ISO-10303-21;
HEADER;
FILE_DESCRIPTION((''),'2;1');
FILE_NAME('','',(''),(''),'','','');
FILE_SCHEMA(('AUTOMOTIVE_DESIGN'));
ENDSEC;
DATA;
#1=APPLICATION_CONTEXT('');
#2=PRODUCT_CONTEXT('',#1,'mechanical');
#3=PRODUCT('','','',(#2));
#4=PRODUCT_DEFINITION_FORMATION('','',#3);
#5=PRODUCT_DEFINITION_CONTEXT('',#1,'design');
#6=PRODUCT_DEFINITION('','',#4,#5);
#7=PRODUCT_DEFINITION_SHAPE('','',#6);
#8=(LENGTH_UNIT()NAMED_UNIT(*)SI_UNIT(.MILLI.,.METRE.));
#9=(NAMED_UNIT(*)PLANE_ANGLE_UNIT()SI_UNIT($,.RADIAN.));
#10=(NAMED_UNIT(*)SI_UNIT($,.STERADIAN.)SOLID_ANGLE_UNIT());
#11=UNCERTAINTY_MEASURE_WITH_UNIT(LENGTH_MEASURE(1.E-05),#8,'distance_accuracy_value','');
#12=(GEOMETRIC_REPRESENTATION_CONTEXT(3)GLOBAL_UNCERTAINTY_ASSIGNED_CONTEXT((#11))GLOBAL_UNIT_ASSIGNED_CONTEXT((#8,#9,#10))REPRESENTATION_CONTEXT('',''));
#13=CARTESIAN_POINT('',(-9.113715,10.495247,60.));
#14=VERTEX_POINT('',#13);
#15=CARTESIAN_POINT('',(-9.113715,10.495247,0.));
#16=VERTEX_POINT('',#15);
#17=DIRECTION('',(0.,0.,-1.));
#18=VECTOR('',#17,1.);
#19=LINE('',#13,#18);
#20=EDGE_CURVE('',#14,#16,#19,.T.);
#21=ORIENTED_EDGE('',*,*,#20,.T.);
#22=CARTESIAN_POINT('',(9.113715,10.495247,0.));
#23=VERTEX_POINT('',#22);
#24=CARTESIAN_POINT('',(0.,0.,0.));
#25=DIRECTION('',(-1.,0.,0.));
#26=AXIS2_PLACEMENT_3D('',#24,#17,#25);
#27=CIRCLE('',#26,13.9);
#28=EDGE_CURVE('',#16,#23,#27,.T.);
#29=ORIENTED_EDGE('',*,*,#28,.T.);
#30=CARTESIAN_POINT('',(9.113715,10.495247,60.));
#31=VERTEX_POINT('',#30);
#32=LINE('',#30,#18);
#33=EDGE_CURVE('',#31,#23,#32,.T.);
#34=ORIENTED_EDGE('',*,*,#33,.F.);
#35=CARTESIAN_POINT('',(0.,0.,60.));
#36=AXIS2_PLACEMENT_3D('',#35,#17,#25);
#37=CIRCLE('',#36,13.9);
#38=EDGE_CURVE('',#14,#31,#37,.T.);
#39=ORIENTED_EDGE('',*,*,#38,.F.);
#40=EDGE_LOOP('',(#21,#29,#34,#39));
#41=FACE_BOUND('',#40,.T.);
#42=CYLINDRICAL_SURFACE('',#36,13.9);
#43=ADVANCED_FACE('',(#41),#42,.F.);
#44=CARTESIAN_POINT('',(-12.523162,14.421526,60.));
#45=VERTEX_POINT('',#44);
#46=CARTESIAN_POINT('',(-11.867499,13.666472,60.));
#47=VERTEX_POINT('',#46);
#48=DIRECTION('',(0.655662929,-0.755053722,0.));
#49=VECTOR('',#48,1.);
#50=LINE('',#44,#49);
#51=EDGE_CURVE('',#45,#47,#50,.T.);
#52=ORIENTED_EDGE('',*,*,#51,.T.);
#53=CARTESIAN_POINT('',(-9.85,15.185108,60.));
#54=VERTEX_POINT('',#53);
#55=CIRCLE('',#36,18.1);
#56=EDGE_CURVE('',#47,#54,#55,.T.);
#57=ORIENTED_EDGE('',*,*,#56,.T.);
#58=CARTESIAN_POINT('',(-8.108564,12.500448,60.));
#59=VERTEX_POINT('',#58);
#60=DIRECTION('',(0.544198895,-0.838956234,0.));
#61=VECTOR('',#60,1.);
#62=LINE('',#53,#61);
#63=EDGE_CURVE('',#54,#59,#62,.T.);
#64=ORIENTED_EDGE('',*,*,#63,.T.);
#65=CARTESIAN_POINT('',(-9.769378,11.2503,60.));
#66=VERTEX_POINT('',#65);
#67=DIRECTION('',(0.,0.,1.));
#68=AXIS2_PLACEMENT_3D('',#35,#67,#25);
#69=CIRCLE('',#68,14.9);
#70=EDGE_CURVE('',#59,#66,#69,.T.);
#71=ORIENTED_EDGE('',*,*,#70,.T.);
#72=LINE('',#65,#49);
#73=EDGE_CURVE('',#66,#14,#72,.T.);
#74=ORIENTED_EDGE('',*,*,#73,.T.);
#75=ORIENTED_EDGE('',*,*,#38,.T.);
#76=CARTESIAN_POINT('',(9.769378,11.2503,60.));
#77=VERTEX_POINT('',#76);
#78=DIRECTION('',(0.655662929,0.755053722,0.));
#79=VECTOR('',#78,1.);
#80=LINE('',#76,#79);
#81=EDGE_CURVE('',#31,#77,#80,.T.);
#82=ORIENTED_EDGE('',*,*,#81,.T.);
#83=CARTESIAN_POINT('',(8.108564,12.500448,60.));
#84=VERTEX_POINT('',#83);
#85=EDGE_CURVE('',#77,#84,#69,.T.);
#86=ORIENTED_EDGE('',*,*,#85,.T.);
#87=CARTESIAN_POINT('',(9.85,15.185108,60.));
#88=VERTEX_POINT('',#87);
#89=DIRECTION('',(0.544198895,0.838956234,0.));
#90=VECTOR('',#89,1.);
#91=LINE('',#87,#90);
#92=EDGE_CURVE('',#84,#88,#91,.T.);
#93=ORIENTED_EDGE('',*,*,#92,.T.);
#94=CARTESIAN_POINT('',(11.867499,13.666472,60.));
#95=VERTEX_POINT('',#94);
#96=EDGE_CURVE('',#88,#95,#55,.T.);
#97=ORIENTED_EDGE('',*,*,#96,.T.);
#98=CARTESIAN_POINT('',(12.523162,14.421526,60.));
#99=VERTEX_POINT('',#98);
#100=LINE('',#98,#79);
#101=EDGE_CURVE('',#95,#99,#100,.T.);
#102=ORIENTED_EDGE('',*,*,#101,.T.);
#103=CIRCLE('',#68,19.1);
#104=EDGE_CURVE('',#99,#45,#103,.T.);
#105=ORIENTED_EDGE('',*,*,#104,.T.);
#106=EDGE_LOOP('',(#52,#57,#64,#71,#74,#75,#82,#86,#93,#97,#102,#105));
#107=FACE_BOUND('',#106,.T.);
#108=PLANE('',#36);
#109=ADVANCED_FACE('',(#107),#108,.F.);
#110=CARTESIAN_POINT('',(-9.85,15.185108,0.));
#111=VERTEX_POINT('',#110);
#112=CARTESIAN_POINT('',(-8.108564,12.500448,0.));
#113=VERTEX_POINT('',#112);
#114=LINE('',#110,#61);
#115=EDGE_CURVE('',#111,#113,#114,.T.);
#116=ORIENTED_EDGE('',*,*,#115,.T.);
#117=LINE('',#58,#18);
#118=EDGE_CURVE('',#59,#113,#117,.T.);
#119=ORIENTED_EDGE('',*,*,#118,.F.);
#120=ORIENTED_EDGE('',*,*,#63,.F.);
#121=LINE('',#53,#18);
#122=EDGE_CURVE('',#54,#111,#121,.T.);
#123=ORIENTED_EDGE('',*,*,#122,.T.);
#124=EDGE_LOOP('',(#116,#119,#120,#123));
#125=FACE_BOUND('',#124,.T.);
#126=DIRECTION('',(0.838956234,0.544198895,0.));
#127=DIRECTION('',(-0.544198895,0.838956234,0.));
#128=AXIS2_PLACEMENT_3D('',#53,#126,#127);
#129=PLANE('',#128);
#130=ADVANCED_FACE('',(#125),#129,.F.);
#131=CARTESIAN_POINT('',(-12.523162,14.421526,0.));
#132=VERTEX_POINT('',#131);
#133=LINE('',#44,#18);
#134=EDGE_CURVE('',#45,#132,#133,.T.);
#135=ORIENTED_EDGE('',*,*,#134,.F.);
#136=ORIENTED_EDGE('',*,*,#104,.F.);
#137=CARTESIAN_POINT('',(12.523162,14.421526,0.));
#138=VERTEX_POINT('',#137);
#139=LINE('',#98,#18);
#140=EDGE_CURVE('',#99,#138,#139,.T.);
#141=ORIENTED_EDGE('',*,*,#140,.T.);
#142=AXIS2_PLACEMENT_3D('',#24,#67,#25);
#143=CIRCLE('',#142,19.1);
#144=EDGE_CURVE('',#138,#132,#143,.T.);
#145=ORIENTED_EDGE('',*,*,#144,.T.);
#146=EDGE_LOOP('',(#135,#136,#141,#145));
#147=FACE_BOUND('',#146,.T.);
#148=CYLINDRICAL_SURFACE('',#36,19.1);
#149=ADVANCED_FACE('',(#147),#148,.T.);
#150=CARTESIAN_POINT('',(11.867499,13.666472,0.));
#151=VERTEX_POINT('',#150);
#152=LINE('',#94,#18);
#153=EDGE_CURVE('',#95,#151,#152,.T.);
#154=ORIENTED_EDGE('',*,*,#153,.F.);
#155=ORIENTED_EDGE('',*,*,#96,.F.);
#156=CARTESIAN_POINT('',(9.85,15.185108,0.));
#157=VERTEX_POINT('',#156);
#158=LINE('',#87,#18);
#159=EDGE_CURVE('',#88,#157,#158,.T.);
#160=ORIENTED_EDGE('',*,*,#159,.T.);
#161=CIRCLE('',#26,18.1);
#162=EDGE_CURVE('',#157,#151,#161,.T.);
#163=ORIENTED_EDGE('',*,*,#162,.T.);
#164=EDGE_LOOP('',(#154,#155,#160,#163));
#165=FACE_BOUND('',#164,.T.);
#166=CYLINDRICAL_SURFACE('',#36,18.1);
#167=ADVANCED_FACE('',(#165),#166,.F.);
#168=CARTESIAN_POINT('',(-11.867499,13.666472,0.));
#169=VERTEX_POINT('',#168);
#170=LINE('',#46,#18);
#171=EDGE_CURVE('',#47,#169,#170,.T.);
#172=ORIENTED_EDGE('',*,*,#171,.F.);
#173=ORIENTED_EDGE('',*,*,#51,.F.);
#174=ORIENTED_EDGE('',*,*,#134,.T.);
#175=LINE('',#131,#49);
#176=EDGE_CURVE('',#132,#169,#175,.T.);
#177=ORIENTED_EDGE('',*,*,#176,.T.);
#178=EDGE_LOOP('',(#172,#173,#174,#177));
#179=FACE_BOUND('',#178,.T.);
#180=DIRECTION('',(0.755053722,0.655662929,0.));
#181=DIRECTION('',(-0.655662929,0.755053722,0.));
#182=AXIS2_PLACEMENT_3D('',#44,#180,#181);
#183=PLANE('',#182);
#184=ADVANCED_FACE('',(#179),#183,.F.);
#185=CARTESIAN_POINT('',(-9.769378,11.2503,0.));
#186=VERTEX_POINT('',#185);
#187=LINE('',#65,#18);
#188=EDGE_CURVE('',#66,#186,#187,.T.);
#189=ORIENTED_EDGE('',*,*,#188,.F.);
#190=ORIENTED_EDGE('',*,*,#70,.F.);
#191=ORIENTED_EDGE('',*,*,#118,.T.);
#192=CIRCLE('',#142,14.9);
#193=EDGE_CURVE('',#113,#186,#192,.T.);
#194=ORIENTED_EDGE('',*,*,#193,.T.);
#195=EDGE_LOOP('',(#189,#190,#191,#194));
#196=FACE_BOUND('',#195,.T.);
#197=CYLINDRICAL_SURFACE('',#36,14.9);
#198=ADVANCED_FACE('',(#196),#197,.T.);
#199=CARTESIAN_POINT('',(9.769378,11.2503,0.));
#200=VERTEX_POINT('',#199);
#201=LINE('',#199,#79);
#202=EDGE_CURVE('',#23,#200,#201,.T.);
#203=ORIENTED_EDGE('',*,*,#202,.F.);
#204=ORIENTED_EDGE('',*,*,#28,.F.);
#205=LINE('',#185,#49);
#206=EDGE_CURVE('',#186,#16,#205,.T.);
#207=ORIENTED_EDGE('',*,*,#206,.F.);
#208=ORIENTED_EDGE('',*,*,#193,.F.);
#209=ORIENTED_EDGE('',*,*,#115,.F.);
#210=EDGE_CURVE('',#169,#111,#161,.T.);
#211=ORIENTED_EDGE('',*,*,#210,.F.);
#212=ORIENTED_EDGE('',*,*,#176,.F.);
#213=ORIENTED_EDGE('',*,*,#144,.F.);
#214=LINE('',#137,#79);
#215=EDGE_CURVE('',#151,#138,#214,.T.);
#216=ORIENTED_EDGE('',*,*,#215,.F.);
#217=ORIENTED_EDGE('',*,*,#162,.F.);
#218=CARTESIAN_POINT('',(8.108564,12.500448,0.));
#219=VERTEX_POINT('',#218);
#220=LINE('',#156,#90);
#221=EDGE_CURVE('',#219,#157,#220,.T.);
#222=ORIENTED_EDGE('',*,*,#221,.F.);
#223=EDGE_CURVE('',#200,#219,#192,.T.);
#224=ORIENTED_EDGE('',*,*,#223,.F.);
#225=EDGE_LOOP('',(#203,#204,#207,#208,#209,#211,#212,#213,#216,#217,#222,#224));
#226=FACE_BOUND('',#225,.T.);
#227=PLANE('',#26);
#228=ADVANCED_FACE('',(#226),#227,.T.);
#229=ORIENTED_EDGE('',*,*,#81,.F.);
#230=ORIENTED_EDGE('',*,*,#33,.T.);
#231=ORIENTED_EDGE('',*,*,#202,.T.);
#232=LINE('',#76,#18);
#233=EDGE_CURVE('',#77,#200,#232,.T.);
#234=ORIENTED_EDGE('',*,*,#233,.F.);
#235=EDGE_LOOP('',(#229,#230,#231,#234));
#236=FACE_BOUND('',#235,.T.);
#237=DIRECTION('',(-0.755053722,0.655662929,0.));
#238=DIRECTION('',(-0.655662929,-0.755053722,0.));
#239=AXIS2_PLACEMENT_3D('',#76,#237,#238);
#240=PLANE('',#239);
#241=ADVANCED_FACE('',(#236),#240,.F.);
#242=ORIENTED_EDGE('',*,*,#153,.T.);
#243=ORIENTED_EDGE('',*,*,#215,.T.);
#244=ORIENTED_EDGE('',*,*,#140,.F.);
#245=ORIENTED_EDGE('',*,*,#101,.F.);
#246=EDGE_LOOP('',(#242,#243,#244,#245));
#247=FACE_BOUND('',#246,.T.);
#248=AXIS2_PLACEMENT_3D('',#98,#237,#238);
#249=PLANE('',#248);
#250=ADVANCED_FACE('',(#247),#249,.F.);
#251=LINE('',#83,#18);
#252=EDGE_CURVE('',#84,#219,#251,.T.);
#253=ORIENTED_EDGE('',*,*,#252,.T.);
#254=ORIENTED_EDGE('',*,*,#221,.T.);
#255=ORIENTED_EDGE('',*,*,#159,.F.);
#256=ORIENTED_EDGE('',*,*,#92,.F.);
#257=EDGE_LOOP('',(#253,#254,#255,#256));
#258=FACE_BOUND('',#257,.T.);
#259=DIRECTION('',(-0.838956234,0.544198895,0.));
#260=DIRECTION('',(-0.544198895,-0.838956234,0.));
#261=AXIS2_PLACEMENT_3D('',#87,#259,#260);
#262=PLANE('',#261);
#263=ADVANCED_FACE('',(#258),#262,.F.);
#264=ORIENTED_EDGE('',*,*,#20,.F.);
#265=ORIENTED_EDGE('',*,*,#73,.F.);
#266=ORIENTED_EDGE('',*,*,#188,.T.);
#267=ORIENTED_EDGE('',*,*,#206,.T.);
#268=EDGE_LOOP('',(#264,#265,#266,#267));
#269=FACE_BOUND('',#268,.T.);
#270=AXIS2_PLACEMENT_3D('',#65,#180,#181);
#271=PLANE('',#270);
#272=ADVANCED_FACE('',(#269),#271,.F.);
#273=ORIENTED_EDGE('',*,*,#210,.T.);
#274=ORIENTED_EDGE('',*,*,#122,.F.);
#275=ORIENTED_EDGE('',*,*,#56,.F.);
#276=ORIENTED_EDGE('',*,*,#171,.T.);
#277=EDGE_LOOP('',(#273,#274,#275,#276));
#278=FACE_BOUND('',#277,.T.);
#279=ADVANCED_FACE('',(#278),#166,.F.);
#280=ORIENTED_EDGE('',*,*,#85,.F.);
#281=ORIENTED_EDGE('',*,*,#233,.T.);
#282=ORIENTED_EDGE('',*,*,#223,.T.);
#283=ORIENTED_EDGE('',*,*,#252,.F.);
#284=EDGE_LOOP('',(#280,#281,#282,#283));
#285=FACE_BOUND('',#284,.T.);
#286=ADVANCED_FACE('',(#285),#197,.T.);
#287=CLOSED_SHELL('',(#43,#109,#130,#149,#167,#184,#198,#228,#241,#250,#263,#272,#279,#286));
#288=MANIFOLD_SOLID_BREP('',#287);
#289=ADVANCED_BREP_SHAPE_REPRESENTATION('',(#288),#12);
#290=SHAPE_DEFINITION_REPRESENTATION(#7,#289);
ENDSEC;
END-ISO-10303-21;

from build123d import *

# Parameters (mm, degrees)
BOSS_EXTRUDE1_DEPTH = 60


with BuildPart() as part:
    # Sketch1 → Boss-Extrude1 (new body)
    with BuildSketch(Plane.XY):
        with BuildLine():
            Line((-12.523161953, 14.421526088), (-11.867499023, 13.666472366))
            ThreePointArc((-11.867499023, 13.666472366), (-10.885265471, 14.46101641), (-9.85, 15.185107836))
            Line((-9.85, 15.185107836), (-8.108563536, 12.500447887))
            ThreePointArc((-8.108563536, 12.500447887), (-8.960798648, 11.904372625), (-9.769377649, 11.250300456))
            Line((-9.769377649, 11.250300456), (-9.113714719, 10.495246734))
            ThreePointArc((-9.113714719, 10.495246734), (0, 13.9), (9.113714719, 10.495246734))
            Line((9.113714719, 10.495246734), (9.769377649, 11.250300456))
            ThreePointArc((9.769377649, 11.250300456), (8.960798648, 11.904372625), (8.108563536, 12.500447887))
            Line((8.108563536, 12.500447887), (9.85, 15.185107836))
            ThreePointArc((9.85, 15.185107836), (10.885265471, 14.46101641), (11.867499023, 13.666472366))
            Line((11.867499023, 13.666472366), (12.523161953, 14.421526088))
            ThreePointArc((12.523161953, 14.421526088), (0, 19.1), (-12.523161953, 14.421526088))
        make_face()
    extrude(amount=BOSS_EXTRUDE1_DEPTH)


solid = part.part
